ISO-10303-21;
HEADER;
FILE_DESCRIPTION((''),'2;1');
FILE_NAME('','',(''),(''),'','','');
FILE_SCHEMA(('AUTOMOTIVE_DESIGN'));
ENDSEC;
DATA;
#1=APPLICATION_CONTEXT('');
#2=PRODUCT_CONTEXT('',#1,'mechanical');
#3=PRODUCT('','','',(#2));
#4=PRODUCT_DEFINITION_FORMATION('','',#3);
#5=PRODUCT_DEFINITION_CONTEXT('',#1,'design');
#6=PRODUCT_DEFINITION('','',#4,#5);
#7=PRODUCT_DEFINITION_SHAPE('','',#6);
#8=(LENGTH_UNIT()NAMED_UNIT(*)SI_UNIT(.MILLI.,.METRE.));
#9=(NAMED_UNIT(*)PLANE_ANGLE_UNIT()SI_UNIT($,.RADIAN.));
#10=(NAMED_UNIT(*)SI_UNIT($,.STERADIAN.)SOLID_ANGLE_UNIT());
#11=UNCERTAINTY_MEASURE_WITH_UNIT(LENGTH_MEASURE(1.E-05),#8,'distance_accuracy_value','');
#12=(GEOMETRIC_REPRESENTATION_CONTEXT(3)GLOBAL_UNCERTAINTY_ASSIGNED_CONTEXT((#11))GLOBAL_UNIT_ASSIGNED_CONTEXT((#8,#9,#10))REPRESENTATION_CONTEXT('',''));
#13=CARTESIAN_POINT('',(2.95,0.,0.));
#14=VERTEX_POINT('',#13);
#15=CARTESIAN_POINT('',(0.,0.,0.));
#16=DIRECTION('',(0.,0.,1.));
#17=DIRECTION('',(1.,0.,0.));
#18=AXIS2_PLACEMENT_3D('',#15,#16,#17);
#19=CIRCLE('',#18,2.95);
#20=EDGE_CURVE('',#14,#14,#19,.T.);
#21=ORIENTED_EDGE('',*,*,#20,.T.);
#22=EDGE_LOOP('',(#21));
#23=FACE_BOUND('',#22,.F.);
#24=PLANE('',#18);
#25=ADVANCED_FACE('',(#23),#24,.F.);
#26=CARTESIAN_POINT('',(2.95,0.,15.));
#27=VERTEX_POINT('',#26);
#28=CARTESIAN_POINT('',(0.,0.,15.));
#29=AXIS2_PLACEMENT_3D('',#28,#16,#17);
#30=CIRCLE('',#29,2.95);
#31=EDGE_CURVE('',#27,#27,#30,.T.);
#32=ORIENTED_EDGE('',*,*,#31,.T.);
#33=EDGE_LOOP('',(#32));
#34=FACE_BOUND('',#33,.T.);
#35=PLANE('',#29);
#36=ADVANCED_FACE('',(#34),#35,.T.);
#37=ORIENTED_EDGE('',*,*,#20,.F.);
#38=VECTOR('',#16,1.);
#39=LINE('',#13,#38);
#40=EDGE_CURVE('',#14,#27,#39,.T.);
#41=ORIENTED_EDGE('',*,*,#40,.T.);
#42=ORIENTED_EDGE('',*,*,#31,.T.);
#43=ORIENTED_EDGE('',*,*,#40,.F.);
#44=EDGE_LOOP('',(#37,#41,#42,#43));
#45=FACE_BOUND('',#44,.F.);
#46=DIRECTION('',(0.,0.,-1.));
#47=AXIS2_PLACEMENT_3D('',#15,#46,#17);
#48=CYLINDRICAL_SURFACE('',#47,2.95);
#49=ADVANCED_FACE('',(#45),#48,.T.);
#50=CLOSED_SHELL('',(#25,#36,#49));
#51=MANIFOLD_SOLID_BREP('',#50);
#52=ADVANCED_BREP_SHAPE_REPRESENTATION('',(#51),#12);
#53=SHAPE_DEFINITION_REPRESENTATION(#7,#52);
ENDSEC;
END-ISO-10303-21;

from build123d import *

# Parameters (mm, degrees)
SKETCH_R  = 2.95
PAD_DEPTH = 15


with BuildPart() as part:
    # Sketch → Pad (new body)
    with BuildSketch(Plane.XY):
        Circle(SKETCH_R)
    extrude(amount=PAD_DEPTH)


solid = part.part
